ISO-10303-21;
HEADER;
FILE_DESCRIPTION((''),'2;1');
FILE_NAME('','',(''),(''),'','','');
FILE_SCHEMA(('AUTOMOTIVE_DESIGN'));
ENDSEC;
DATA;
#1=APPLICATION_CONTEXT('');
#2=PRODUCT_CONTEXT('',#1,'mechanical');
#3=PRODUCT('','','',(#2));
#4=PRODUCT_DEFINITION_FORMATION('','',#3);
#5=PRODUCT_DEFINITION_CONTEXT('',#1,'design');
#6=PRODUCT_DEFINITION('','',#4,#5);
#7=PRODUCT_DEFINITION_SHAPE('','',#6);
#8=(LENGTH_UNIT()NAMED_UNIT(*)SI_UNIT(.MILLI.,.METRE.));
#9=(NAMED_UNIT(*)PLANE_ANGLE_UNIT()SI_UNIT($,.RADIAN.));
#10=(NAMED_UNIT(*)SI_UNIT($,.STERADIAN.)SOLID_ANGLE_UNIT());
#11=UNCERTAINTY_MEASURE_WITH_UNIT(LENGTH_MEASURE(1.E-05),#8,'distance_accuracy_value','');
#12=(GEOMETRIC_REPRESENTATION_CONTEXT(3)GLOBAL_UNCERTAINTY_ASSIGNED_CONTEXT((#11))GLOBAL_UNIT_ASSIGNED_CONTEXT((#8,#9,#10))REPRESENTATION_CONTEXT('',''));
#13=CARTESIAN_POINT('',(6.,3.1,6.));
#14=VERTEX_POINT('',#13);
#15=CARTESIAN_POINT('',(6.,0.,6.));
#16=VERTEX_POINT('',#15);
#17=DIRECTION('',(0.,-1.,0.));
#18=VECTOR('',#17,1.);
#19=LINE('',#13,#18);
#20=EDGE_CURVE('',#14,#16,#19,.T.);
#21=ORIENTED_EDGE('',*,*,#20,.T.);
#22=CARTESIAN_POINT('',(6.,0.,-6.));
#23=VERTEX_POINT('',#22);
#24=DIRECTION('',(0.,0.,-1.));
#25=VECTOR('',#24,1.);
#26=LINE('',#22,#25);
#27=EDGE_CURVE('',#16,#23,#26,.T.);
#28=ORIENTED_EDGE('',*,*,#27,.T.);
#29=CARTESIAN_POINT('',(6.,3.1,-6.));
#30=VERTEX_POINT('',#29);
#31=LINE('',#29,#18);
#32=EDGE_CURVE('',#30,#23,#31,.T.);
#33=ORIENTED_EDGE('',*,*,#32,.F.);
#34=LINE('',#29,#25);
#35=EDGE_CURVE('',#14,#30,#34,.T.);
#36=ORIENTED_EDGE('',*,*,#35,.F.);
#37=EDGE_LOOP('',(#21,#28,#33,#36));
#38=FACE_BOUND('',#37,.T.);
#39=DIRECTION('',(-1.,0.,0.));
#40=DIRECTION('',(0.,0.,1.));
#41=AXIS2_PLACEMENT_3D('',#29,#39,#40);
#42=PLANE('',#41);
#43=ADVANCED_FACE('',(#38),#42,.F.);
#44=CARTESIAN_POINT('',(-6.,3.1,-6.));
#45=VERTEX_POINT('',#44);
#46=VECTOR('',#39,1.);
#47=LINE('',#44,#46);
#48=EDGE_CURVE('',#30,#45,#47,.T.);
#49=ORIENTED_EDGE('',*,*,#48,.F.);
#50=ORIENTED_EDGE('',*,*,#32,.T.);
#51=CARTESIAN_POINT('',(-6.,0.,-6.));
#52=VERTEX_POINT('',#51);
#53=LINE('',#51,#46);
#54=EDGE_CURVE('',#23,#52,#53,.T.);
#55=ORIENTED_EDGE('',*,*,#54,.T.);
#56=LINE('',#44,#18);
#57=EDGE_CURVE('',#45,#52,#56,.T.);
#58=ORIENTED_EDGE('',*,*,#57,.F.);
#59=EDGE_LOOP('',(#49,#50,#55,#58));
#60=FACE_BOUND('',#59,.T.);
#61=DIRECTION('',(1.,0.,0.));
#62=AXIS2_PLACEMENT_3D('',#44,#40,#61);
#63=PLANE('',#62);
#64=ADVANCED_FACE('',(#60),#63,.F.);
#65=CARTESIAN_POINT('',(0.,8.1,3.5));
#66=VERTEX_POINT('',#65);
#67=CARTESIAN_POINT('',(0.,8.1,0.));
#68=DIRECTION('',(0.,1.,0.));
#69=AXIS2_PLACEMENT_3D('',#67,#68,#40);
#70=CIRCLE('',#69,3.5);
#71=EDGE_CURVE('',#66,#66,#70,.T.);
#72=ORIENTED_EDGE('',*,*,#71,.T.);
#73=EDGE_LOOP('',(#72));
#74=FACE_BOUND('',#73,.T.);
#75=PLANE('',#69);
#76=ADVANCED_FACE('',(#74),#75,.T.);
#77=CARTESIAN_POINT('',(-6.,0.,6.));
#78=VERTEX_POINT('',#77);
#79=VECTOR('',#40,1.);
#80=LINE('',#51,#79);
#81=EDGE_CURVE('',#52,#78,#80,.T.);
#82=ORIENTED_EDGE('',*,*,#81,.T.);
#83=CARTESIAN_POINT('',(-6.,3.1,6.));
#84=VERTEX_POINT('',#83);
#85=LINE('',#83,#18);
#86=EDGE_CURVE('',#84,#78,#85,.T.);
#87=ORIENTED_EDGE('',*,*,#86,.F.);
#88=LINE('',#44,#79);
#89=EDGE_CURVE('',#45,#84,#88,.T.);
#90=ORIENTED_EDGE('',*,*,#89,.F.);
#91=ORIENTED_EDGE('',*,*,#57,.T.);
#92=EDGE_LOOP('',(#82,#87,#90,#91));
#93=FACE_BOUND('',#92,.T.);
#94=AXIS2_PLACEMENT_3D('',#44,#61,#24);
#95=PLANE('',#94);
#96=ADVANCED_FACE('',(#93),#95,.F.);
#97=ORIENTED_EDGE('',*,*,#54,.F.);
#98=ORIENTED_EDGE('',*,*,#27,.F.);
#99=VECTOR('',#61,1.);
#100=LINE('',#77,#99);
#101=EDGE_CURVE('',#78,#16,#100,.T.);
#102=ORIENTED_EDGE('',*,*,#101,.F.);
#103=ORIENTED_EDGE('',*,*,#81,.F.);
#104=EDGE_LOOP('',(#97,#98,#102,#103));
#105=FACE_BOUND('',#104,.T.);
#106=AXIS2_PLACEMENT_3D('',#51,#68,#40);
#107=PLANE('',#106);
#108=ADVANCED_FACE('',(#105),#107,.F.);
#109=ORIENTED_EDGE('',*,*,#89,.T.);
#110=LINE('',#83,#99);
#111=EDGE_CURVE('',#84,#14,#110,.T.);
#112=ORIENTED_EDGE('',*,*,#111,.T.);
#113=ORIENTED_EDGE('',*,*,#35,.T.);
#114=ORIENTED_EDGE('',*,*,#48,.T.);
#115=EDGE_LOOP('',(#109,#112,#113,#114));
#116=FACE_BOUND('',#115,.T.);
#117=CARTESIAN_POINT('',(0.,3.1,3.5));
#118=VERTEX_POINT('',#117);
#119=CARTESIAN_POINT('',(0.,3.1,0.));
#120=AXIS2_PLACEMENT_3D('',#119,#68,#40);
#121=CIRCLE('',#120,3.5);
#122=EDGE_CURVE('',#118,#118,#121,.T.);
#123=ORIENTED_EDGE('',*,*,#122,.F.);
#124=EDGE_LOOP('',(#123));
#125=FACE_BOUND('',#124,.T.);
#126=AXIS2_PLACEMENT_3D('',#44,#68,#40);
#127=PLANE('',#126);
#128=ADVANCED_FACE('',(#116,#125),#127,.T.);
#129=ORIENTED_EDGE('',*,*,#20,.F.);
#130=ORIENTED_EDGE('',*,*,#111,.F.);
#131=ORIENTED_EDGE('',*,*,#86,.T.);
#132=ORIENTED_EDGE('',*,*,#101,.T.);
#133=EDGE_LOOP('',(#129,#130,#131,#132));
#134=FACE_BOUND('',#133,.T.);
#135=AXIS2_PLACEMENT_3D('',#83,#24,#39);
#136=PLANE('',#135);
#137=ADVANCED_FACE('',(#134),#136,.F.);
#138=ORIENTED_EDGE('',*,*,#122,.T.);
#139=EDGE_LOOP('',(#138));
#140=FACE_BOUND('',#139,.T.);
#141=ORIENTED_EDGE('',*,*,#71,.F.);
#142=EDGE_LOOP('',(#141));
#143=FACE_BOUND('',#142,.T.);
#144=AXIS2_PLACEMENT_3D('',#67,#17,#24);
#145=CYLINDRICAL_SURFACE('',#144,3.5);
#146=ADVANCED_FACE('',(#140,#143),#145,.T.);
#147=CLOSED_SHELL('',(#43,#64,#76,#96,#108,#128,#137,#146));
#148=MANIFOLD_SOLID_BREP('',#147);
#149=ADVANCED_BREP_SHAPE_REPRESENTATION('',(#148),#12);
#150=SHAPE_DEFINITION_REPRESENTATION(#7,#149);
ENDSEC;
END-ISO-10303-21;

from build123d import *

# Parameters (mm, degrees)
SKETCH_1_W      = 12
SKETCH_1_H      = 12
EXTRUDE_1_DEPTH = 3.1
SKETCH_2_R      = 3.5
EXTRUDE_2_DEPTH = 5


with BuildPart() as part:
    # 草图1 → 拉伸1 (new body)
    with BuildSketch(Plane(origin=(0, 0, 0), x_dir=(1, 0, 0), z_dir=(0, 1, 0))):
        Rectangle(SKETCH_1_W, SKETCH_1_H)
    extrude(amount=EXTRUDE_1_DEPTH)

    # 草图2 → 拉伸2 (add)
    with BuildSketch(Plane(origin=(0, 3.1, 0), x_dir=(-1, 0, 0), z_dir=(0, 1, 0))):
        with Locations(Location((0, 0, 0), (0, 0, 90))):
            Circle(SKETCH_2_R)
    extrude(amount=EXTRUDE_2_DEPTH)


solid = part.part
